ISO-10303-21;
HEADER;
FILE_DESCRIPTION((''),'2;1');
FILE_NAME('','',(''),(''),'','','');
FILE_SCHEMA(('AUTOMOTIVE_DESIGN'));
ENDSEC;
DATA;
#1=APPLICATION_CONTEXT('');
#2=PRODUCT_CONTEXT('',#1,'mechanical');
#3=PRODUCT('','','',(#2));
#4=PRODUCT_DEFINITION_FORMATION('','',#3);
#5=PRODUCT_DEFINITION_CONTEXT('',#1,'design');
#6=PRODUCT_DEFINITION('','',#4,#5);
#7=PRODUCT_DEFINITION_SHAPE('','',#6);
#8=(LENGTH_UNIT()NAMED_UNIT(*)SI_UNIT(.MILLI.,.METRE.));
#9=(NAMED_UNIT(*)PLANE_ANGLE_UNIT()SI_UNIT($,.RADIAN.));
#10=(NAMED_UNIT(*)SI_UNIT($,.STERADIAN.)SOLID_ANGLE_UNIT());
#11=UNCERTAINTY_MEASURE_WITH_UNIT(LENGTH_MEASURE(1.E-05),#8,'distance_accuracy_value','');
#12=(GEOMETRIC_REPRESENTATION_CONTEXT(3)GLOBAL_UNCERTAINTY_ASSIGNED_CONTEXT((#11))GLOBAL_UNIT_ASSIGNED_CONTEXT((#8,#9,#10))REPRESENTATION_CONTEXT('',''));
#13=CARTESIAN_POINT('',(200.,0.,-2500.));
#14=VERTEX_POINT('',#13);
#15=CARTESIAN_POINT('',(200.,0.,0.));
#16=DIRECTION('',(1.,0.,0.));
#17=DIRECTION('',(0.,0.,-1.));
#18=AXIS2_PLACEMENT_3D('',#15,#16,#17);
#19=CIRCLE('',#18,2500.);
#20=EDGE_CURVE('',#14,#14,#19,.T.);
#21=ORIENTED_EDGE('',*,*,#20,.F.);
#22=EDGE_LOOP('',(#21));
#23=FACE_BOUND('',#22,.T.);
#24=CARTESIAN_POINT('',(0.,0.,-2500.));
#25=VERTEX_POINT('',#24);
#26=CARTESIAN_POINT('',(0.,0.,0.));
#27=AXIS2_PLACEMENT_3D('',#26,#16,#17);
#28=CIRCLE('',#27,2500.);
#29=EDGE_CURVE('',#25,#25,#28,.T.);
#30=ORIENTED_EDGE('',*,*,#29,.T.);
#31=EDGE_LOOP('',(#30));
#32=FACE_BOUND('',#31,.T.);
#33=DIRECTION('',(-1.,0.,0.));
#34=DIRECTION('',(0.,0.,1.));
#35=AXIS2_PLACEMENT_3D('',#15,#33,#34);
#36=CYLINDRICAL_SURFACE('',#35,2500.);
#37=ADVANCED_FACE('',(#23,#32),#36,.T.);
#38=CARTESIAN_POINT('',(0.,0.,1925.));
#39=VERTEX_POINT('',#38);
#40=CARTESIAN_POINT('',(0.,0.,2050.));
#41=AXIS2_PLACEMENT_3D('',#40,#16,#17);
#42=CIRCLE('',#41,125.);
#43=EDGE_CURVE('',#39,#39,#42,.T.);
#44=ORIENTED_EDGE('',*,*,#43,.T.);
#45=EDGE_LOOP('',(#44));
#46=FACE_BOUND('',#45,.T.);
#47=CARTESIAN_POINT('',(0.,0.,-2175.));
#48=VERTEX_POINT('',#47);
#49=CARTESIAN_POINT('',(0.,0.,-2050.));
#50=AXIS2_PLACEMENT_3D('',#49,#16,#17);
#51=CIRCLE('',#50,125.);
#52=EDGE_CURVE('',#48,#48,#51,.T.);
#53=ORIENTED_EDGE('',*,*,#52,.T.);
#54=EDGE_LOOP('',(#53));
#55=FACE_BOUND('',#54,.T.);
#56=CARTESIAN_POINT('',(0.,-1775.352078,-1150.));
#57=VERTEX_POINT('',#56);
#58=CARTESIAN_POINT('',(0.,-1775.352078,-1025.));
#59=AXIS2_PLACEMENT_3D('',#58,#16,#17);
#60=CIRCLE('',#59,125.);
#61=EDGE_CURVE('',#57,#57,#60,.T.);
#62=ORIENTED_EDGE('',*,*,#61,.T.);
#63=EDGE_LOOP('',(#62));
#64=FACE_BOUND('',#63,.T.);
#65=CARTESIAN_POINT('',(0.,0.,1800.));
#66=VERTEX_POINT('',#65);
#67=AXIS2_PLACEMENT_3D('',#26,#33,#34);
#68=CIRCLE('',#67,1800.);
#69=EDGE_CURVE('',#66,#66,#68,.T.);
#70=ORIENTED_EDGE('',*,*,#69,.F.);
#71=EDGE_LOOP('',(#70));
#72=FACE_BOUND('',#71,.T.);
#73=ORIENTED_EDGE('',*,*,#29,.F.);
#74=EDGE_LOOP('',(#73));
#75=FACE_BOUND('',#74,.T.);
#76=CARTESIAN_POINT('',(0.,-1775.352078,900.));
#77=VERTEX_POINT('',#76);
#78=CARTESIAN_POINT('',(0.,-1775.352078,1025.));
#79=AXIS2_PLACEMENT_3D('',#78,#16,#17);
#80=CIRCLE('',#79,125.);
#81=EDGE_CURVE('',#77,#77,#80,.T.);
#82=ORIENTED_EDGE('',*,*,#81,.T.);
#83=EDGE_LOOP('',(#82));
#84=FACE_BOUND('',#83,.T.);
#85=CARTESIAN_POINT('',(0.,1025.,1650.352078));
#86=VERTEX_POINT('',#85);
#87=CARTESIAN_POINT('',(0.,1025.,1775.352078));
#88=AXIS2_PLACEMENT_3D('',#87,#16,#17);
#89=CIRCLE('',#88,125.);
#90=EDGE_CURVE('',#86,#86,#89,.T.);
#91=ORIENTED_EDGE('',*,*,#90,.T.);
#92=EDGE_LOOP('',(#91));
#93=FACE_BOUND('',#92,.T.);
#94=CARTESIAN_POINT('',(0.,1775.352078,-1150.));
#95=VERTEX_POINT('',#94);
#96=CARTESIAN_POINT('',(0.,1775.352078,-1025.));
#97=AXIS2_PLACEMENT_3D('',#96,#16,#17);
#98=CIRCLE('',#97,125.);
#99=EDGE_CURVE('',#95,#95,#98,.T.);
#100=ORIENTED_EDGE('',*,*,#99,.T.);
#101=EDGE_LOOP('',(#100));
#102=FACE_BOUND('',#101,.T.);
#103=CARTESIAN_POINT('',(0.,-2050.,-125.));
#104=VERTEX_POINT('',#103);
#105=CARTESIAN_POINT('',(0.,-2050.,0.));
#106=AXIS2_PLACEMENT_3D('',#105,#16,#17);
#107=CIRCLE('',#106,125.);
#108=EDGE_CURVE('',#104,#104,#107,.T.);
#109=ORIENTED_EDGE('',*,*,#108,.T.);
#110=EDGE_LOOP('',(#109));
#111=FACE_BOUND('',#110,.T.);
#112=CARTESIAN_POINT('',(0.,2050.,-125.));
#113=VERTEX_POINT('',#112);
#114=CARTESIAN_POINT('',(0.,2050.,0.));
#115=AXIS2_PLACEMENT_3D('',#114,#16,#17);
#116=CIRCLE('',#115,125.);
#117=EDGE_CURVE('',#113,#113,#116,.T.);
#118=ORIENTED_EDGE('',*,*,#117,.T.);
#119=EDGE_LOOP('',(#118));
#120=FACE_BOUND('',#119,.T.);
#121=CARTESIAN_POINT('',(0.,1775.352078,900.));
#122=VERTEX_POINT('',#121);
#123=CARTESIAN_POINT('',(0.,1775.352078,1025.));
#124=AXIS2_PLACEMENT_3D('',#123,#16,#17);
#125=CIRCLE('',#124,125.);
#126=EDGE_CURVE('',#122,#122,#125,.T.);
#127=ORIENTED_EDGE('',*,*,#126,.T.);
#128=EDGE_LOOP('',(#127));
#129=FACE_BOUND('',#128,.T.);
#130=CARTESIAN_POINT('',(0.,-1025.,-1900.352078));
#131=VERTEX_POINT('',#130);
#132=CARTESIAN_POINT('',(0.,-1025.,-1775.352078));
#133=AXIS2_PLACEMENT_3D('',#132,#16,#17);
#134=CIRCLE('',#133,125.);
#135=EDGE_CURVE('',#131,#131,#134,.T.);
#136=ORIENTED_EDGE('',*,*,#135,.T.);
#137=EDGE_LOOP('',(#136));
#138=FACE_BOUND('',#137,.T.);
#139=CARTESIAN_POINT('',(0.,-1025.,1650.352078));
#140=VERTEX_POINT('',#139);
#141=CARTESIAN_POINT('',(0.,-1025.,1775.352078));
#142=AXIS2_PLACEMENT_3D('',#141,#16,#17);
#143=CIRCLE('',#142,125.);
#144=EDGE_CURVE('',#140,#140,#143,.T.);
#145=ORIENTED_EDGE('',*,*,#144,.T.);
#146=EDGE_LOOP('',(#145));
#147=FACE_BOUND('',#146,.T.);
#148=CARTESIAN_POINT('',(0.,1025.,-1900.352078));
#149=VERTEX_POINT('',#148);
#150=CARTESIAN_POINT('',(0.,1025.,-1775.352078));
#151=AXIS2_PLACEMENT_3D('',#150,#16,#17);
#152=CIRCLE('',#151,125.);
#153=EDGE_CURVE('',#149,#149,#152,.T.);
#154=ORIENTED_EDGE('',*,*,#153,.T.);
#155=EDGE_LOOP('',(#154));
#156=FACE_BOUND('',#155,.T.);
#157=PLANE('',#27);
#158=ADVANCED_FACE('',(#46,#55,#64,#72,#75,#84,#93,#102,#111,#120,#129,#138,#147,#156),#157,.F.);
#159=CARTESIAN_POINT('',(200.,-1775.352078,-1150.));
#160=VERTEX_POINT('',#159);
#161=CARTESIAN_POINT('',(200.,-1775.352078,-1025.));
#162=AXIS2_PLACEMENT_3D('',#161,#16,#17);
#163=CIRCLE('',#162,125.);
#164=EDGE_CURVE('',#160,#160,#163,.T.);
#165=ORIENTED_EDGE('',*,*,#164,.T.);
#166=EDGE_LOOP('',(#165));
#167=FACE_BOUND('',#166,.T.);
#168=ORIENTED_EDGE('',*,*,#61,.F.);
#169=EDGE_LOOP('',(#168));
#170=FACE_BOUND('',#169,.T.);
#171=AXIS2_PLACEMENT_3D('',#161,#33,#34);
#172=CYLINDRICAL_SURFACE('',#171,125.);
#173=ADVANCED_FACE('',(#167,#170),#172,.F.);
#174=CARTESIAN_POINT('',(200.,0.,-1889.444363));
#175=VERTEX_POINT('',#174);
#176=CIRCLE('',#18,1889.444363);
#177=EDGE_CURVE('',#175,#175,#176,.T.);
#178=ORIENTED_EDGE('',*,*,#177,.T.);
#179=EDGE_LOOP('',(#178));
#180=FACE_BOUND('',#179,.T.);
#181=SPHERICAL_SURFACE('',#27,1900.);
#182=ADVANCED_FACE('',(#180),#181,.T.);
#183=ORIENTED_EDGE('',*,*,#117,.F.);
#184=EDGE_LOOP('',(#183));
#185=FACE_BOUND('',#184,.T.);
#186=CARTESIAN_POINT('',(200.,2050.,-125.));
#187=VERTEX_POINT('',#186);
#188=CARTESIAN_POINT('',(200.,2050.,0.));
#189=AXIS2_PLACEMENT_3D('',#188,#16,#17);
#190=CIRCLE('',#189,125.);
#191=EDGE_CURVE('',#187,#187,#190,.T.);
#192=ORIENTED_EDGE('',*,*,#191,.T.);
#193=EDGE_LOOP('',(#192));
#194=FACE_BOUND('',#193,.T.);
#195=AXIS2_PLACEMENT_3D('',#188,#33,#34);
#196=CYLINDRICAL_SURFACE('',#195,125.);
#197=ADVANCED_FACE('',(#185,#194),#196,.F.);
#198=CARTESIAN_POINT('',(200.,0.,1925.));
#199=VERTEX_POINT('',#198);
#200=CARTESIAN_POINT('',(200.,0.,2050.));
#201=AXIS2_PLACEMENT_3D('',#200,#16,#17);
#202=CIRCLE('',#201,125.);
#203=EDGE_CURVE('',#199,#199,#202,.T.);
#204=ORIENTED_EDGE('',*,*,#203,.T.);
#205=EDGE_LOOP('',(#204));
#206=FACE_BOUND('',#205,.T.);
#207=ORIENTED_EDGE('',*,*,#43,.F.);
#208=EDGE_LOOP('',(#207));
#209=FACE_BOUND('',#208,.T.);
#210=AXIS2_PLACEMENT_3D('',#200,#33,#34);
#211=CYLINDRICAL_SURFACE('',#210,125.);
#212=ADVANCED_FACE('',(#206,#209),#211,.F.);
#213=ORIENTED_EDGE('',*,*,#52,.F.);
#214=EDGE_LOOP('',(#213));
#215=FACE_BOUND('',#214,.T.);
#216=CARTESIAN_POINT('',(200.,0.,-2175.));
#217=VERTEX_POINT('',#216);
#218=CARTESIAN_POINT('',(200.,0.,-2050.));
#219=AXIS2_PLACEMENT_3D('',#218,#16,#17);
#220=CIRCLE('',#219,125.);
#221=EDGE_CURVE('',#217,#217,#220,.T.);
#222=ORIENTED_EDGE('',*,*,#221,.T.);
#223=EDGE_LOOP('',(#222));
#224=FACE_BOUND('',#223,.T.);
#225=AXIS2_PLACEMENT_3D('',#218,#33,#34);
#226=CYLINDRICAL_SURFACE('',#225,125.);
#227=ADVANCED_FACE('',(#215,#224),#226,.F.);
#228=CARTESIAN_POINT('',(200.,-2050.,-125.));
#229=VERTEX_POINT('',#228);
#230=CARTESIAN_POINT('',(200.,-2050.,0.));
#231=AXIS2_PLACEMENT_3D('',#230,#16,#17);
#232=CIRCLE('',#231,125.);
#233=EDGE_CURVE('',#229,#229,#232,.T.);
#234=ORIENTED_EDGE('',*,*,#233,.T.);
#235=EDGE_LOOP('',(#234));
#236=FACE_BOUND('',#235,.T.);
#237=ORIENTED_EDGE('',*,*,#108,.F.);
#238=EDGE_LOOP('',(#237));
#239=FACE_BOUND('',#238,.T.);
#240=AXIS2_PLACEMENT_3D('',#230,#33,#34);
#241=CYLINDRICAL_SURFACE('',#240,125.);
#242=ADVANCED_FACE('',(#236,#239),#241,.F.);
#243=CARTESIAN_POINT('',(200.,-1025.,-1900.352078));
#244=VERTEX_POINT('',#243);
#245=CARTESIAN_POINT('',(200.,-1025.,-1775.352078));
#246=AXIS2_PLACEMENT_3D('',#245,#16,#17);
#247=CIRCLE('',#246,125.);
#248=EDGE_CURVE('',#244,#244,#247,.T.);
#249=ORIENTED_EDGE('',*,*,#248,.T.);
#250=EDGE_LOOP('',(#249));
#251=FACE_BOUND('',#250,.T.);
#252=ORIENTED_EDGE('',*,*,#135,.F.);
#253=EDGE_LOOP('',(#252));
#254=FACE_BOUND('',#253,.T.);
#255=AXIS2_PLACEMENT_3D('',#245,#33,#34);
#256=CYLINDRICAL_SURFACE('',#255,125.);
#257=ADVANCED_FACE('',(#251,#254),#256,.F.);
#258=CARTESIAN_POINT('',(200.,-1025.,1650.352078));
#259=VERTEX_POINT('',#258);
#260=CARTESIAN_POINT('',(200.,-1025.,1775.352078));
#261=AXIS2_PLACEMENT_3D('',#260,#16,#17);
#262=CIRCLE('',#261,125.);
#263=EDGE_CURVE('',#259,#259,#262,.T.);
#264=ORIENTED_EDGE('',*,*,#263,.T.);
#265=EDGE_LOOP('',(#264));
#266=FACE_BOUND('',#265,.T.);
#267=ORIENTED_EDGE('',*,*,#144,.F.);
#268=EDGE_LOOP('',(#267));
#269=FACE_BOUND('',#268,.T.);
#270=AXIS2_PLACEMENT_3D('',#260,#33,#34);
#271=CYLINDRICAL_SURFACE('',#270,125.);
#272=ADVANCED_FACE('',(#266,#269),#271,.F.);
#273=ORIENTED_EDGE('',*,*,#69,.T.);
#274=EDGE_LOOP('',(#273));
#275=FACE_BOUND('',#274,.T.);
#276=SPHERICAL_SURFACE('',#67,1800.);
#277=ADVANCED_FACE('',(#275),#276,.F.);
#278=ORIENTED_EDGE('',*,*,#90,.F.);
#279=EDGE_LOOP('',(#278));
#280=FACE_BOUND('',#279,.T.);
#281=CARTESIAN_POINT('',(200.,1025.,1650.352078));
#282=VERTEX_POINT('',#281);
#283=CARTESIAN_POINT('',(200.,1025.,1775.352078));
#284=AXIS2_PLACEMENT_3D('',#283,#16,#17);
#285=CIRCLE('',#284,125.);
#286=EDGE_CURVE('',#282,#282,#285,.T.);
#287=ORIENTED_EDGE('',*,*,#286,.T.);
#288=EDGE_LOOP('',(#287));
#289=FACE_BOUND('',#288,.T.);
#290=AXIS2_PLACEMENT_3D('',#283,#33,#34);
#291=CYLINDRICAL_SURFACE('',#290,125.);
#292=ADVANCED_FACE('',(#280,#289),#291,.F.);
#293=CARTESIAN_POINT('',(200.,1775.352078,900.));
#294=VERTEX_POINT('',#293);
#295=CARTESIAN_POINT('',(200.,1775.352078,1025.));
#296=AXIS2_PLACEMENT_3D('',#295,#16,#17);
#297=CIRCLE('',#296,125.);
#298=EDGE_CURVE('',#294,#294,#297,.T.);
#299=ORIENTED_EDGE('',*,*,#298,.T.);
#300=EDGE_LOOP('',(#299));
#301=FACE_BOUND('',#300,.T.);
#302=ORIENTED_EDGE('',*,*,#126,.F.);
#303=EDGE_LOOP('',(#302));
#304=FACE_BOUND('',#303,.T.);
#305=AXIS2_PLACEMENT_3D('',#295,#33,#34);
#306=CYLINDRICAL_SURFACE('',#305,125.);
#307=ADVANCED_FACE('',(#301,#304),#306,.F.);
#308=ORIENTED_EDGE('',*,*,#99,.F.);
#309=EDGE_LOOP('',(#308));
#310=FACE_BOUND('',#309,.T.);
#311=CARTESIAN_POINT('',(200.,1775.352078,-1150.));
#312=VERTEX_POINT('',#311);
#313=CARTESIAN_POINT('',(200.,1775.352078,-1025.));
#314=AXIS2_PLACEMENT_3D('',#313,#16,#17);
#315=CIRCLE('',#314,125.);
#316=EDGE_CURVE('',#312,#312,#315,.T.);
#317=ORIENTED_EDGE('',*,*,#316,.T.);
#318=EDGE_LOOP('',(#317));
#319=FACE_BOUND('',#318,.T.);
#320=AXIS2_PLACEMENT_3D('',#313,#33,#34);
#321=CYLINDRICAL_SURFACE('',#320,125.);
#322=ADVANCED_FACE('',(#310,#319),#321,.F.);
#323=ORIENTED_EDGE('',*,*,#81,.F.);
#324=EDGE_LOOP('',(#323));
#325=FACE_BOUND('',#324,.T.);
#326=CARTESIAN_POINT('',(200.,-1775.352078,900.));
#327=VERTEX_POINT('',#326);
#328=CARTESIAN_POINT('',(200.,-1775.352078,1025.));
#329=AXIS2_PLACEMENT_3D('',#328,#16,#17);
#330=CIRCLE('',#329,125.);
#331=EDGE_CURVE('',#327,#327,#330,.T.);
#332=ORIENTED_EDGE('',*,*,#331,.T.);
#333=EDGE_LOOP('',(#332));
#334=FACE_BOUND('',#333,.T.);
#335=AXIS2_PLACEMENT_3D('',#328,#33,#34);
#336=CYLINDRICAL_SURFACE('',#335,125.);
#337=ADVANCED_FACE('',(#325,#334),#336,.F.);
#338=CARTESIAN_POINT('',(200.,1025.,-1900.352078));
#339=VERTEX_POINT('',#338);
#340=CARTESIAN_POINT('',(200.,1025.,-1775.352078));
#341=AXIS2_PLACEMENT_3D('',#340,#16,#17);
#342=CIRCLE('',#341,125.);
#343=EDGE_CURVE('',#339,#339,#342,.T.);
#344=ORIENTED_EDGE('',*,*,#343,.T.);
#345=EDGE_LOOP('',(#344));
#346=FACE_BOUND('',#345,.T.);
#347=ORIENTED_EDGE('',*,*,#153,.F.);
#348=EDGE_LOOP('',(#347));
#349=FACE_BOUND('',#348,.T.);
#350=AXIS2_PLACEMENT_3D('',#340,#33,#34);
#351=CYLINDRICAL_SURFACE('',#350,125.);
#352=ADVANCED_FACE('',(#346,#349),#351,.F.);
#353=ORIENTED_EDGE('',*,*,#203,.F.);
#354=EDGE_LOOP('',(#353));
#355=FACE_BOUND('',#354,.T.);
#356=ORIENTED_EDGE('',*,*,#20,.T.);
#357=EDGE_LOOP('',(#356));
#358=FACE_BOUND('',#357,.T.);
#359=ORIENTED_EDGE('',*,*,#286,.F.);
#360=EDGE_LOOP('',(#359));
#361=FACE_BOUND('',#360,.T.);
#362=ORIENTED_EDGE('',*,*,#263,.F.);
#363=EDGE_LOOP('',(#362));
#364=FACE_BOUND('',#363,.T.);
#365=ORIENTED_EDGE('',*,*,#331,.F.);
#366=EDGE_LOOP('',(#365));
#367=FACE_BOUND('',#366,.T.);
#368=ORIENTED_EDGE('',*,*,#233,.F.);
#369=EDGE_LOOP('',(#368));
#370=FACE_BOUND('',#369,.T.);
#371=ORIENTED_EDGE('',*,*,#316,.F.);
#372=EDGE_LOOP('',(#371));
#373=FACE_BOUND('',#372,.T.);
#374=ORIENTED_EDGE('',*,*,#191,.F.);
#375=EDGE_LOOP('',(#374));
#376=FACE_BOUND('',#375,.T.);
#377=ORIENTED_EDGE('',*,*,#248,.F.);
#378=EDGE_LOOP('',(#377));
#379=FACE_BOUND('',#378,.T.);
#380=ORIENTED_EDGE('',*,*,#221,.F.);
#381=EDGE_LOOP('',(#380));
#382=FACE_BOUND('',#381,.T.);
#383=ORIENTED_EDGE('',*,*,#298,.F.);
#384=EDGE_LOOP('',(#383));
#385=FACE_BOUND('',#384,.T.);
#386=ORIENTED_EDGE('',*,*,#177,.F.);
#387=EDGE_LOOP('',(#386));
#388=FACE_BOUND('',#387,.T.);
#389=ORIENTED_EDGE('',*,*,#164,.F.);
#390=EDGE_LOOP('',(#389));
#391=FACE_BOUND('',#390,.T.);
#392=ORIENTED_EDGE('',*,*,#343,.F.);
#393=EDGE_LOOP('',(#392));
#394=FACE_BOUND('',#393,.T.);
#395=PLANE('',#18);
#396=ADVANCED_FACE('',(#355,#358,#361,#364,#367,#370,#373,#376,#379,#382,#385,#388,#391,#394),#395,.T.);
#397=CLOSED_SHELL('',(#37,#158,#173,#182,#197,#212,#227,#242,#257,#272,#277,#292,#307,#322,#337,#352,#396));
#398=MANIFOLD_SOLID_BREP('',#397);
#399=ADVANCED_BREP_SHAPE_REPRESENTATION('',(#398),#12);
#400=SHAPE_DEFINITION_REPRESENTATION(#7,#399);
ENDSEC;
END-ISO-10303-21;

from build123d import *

# Parameters (mm, degrees)
SKETCH1_R           = 2500
SKETCH1_R_2         = 125
BOSS_EXTRUDE1_DEPTH = 200
SKETCH2_R           = 1800
CUT_EXTRUDE1_DEPTH  = 201
REVOLVE1_ANGLE      = 180


with BuildPart() as part:
    # Sketch1 → Boss-Extrude1 (new body)
    with BuildSketch(Plane(origin=(0, 0, 0), x_dir=(0, 0, -1), z_dir=(1, 0, 0))):
        Circle(SKETCH1_R)
        with Locations((0, 2050)):
            Circle(SKETCH1_R_2, mode=Mode.SUBTRACT)
        with Locations((1025, 1775.352077758)):
            Circle(SKETCH1_R_2, mode=Mode.SUBTRACT)
        with Locations((1775.352077758, 1025)):
            Circle(SKETCH1_R_2, mode=Mode.SUBTRACT)
        with Locations((2050, 0)):
            Circle(SKETCH1_R_2, mode=Mode.SUBTRACT)
        with Locations((1775.352077758, -1025)):
            Circle(SKETCH1_R_2, mode=Mode.SUBTRACT)
        with Locations((1025, -1775.352077758)):
            Circle(SKETCH1_R_2, mode=Mode.SUBTRACT)
        with Locations((0, -2050)):
            Circle(SKETCH1_R_2, mode=Mode.SUBTRACT)
        with Locations((-1025, -1775.352077758)):
            Circle(SKETCH1_R_2, mode=Mode.SUBTRACT)
        with Locations((-1775.352077758, -1025)):
            Circle(SKETCH1_R_2, mode=Mode.SUBTRACT)
        with Locations((-2050, 0)):
            Circle(SKETCH1_R_2, mode=Mode.SUBTRACT)
        with Locations((-1775.352077758, 1025)):
            Circle(SKETCH1_R_2, mode=Mode.SUBTRACT)
        with Locations((-1025, 1775.352077758)):
            Circle(SKETCH1_R_2, mode=Mode.SUBTRACT)
    extrude(amount=BOSS_EXTRUDE1_DEPTH)

    # Sketch2 → Cut-Extrude1 (cut, through all)
    with BuildSketch(Plane.ZY):
        Circle(SKETCH2_R)
    extrude(amount=-CUT_EXTRUDE1_DEPTH, mode=Mode.SUBTRACT)

    # Sketch4 → Revolve1 (revolve)
    with BuildSketch(Plane.ZY):
        with BuildLine():
            Line((0, 1800), (0, 1900))
            ThreePointArc((0, 1900), (1900, 0), (0, -1900))
            Line((0, -1900), (0, -1800))
            ThreePointArc((0, -1800), (1800, 0), (0, 1800))
        make_face()
    revolve(axis=Axis((0, -1900, 0), (0, 1, 0)), revolution_arc=REVOLVE1_ANGLE)


solid = part.part
